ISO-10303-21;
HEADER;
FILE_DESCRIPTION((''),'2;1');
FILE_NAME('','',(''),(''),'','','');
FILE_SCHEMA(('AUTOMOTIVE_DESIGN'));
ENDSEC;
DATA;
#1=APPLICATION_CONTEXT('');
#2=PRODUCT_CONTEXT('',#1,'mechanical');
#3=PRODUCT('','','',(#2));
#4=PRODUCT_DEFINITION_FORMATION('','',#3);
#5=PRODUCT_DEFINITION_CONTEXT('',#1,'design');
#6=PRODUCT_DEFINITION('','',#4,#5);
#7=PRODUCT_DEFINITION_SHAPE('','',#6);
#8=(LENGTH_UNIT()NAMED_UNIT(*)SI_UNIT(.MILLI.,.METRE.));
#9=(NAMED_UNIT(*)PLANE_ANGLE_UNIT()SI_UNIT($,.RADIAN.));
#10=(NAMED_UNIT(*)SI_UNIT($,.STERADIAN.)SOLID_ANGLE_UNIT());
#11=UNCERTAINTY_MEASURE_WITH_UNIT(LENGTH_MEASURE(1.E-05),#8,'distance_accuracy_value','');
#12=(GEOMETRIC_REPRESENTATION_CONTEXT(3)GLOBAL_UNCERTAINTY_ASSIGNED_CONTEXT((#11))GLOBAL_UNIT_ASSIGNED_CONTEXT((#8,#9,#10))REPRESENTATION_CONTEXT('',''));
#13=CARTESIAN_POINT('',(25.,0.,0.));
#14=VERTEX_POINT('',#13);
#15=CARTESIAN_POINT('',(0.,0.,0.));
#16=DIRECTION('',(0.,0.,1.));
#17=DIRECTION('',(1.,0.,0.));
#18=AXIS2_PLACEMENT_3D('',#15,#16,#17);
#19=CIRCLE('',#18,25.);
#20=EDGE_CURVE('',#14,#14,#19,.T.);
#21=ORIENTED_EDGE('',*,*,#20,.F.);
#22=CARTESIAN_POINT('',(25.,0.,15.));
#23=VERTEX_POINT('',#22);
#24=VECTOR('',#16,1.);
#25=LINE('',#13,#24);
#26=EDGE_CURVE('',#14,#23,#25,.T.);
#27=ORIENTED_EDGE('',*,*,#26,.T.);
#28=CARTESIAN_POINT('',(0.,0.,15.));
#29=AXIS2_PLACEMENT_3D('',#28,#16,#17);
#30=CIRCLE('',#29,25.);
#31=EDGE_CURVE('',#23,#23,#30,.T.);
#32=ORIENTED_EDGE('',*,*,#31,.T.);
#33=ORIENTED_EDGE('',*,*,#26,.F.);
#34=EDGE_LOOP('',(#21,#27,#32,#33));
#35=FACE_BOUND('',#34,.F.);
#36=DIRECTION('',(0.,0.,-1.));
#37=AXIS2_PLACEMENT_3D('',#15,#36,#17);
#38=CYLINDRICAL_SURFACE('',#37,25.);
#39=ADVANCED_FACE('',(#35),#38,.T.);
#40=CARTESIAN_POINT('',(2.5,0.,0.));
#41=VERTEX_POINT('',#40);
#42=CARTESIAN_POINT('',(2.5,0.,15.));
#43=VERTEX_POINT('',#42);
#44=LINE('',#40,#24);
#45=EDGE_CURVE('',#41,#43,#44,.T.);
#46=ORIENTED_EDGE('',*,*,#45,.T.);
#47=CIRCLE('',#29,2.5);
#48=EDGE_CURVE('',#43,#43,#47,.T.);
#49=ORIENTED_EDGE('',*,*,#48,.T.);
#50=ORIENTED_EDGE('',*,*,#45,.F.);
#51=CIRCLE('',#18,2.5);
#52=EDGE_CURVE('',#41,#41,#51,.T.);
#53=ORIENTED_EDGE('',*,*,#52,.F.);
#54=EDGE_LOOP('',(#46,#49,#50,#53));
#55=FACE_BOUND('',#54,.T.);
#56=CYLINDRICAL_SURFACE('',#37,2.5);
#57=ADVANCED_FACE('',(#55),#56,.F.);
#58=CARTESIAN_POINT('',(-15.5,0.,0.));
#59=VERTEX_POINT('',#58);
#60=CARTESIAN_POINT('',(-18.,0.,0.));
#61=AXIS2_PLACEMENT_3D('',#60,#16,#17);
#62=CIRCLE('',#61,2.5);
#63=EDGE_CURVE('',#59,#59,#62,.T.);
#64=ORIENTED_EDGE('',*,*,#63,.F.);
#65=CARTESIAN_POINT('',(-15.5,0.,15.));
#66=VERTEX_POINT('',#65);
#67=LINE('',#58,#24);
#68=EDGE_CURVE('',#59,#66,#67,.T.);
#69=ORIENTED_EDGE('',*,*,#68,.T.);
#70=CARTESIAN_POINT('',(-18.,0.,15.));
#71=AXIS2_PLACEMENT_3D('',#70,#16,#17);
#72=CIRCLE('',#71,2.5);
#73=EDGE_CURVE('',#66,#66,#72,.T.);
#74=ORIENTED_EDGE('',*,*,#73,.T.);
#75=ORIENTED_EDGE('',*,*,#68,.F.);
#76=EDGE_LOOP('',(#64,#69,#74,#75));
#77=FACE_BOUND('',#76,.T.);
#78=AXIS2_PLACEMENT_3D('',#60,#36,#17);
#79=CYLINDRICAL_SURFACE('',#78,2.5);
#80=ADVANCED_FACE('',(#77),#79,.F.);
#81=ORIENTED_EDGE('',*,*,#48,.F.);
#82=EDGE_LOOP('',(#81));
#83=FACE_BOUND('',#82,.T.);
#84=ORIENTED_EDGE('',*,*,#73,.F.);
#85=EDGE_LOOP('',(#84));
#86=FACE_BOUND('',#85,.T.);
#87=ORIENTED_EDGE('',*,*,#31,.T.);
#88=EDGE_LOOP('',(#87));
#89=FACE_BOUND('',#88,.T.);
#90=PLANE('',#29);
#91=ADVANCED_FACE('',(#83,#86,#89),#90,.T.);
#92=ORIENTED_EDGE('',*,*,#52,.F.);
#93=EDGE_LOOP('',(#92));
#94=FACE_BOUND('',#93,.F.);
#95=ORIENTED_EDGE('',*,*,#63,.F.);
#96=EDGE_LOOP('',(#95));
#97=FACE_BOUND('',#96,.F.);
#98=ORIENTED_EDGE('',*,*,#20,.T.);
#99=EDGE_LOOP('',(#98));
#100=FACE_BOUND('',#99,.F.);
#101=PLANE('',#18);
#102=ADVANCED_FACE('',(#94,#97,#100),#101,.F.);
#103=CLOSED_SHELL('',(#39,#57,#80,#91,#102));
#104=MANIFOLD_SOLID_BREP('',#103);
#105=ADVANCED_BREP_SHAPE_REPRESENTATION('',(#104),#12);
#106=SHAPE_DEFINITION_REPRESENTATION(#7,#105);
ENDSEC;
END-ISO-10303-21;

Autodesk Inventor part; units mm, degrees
ref_plane "YZ Plane" through (0, 0, 0) normal (1, 0, 0) x (0, 1, 0)
ref_plane "XZ Plane" through (0, 0, 0) normal (0, 1, 0) x (-1, 0, 0)
ref_plane "XY Plane" through (0, 0, 0) normal (0, 0, 1) x (1, 0, 0)
sketch "Sketch1" plane through (0, 0, 0) normal (0, 0, 1) x (1, 0, 0)
  circle A0 centre (0, 0) radius 25
  circle A1 centre (0, 0) radius 2.5
  circle A2 centre (-18, 0) radius 2.5
  dimension "d0" = 50
  dimension "d1" = 5
  dimension "d4" = 5
  dimension "d5" = 18
extrude "Extrusion1" add sketch "Sketch1" along normal blind 15
properties part number "SC-1-01-Capper train"
